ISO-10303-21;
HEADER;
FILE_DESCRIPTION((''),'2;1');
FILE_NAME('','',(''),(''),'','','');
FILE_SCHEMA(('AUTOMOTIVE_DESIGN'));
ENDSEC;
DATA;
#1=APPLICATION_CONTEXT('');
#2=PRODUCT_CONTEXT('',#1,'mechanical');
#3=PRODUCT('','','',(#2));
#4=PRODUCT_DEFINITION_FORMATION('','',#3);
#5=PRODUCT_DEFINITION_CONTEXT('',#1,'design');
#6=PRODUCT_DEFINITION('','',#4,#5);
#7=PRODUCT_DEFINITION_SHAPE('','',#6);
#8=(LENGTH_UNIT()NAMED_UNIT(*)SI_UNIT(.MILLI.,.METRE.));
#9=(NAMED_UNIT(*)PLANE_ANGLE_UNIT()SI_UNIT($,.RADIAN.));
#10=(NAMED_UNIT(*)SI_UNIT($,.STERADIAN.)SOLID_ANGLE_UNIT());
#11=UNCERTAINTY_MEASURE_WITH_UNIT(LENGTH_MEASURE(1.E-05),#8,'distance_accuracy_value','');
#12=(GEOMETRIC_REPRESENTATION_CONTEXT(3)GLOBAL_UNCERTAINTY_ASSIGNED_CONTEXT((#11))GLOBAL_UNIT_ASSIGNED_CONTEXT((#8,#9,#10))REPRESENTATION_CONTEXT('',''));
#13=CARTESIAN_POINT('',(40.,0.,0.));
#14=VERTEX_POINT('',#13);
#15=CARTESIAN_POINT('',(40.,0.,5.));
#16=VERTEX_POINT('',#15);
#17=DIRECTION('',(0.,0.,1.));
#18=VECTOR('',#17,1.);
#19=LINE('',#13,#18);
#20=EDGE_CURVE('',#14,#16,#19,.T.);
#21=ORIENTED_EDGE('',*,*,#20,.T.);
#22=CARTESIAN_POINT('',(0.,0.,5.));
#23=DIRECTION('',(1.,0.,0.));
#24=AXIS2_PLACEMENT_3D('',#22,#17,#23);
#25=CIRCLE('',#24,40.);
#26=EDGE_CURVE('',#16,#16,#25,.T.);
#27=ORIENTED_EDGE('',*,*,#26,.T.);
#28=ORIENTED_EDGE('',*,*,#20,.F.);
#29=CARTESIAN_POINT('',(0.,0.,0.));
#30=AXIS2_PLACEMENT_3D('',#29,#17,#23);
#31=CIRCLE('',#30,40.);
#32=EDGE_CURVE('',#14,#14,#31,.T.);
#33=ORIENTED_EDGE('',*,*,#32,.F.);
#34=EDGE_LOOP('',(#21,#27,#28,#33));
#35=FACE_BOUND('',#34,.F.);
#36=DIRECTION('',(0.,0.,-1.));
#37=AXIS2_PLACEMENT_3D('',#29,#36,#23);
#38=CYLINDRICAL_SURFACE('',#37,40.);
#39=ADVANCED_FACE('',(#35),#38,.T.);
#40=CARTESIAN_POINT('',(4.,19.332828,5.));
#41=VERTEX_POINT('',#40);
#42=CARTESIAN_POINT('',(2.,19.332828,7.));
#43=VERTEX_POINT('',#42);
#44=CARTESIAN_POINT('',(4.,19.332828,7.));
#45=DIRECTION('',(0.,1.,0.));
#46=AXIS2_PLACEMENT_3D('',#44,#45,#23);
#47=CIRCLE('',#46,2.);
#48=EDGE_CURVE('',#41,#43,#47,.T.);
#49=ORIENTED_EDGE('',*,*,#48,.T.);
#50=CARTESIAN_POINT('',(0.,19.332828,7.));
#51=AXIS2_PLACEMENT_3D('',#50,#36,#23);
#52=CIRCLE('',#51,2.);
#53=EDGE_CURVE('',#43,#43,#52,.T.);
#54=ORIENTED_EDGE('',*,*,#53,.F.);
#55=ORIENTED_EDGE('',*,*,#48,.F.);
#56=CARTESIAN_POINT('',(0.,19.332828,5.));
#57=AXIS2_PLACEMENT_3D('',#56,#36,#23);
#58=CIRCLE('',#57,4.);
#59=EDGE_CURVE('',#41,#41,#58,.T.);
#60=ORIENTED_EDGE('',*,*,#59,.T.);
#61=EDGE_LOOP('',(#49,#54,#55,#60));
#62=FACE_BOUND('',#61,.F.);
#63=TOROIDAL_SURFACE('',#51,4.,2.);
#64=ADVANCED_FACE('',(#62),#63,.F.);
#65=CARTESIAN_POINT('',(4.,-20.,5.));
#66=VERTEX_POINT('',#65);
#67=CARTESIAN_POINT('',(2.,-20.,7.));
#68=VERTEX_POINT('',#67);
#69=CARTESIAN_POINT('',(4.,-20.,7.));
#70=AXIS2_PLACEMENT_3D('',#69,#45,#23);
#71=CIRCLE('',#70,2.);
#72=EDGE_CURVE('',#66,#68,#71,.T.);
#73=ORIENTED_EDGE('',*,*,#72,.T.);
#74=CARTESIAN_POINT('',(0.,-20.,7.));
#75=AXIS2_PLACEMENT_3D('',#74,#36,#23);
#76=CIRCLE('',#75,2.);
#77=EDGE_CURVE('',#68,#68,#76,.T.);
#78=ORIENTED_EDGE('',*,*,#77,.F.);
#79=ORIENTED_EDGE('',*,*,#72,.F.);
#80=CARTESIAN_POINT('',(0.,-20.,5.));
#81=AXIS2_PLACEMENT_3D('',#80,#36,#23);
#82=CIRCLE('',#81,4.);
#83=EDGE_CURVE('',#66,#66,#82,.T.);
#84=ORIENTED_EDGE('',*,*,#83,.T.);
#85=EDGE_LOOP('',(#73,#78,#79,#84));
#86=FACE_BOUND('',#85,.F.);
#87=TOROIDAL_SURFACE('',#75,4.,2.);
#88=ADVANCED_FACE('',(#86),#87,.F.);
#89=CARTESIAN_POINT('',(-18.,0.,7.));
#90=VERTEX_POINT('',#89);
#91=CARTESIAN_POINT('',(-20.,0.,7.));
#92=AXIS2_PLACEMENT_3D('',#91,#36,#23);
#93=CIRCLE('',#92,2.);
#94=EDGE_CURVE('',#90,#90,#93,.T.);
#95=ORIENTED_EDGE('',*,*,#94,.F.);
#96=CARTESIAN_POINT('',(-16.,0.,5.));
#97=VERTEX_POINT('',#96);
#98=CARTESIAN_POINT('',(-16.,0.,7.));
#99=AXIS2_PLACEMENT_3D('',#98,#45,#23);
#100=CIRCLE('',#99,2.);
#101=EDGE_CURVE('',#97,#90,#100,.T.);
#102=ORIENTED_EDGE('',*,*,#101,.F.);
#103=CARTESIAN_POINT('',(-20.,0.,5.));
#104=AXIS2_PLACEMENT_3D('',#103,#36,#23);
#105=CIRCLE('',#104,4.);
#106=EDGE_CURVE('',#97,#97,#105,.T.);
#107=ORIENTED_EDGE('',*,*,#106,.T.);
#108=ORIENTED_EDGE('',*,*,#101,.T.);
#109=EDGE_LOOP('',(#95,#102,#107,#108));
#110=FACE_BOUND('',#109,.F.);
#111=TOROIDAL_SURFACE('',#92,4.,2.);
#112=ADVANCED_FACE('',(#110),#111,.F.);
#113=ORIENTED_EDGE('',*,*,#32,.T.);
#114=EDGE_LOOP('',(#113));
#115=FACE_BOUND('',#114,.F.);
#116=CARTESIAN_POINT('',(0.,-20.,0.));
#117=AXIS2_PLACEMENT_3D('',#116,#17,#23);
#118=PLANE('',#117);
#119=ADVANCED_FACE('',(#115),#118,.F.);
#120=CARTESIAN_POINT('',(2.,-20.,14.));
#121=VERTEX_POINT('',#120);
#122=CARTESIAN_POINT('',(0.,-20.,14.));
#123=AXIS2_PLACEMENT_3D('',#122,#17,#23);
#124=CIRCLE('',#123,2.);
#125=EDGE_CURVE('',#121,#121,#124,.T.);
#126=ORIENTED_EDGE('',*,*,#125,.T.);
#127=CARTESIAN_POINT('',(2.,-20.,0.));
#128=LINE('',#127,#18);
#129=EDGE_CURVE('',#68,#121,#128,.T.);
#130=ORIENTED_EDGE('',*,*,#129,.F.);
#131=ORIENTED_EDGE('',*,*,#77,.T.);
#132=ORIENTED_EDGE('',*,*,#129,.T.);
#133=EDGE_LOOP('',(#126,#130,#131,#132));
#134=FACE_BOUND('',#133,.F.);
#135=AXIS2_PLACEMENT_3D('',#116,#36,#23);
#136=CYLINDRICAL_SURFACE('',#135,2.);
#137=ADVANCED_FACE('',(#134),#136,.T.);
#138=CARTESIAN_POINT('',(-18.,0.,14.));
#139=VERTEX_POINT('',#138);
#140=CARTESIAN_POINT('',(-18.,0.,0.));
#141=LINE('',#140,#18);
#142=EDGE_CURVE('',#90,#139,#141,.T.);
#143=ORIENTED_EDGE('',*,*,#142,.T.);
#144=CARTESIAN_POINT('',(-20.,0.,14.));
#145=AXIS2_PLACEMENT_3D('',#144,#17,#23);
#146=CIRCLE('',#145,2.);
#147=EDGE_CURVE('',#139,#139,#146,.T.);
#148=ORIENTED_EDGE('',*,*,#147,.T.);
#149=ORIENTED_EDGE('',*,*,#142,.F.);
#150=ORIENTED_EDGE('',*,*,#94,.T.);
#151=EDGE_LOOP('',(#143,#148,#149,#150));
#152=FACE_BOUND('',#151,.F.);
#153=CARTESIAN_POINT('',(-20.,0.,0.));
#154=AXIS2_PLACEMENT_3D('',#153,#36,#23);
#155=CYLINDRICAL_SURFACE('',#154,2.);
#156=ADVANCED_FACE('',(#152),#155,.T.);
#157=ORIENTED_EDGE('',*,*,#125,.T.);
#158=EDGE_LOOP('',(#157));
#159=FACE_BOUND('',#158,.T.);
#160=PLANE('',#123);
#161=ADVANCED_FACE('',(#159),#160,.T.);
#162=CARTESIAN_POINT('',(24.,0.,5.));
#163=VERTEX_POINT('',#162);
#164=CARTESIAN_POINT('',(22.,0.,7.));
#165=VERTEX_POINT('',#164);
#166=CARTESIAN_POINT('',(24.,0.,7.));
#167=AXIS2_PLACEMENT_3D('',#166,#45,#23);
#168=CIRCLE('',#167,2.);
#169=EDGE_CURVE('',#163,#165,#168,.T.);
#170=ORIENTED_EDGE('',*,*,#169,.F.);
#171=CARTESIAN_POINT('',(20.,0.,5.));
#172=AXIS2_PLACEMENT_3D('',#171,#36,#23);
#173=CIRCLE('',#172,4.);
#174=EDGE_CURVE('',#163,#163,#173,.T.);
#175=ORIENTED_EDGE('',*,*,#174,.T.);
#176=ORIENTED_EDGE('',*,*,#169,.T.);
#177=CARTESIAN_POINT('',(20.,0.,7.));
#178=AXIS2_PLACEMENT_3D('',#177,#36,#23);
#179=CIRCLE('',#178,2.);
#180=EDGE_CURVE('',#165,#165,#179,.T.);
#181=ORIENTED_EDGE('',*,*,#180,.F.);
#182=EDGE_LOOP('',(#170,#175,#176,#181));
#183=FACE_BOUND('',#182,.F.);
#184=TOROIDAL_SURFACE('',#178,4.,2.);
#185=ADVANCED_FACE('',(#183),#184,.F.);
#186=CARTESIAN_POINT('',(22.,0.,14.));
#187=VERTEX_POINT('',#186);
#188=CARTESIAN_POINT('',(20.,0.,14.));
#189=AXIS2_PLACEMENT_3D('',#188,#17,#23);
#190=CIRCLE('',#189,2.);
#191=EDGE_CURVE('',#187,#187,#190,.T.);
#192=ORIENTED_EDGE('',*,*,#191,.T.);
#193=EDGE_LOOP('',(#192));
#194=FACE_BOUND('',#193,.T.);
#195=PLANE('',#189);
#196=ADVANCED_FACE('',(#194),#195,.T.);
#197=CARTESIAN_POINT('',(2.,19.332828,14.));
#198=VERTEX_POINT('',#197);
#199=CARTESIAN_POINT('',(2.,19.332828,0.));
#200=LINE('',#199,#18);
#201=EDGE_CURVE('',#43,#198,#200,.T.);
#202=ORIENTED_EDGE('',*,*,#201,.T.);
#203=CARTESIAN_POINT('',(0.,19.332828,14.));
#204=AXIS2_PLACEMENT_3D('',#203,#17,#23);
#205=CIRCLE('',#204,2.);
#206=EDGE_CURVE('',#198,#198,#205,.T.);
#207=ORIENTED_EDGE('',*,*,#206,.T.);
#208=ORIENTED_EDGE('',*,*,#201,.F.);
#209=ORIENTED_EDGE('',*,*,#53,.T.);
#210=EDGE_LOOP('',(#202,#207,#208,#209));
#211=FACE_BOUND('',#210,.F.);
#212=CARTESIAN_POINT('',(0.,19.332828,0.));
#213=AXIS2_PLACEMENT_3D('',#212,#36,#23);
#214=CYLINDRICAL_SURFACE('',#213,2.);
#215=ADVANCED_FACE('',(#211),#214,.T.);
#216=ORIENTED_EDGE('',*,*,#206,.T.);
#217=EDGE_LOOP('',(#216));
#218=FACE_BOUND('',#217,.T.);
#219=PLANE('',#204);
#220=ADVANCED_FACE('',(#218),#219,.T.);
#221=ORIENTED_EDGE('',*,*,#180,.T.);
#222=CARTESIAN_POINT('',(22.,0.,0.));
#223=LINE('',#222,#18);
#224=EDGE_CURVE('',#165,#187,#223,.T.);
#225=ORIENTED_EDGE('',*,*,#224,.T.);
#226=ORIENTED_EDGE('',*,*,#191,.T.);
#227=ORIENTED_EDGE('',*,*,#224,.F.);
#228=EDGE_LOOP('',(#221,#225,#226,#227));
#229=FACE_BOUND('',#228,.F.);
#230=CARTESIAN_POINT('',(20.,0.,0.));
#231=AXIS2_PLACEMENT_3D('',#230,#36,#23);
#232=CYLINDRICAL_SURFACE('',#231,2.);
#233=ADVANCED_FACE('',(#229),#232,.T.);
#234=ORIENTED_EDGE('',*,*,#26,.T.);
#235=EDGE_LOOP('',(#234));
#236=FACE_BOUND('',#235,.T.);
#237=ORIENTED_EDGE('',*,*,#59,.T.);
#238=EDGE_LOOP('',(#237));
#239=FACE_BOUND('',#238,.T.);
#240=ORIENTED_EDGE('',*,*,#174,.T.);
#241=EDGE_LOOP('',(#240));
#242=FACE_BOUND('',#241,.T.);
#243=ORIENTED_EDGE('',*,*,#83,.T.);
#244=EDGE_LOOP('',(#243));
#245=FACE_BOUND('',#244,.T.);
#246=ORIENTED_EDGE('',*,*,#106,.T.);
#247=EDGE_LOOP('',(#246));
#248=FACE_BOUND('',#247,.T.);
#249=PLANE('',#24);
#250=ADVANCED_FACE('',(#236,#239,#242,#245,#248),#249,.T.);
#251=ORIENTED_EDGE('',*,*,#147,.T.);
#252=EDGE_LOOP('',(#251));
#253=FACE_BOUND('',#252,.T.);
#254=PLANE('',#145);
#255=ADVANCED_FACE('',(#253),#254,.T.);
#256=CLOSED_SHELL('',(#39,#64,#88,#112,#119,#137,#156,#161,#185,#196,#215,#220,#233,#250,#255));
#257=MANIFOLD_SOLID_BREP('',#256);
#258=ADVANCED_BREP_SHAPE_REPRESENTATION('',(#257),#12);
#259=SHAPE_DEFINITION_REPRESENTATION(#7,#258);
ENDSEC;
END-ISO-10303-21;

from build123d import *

# Parameters (mm, degrees)
F1_R     = 2
F2_DEPTH = 14
F0_R     = 40
F3_DEPTH = 5
F5_R     = 2


with BuildPart() as f2:
    # F1 (on face) → F2 (new body)
    with BuildSketch(Plane.XY):
        with Locations((0, 19.332828)):
            Circle(F1_R)
        with Locations((-20, 0)):
            Circle(F1_R)
        with Locations((20, 0)):
            Circle(F1_R)
        with Locations((0, -20)):
            Circle(F1_R)
    extrude(amount=F2_DEPTH)


with BuildPart() as f3:
    # F0 (on Top) → F3 (new body)
    with BuildSketch(Plane.XY):
        Circle(F0_R)
    extrude(amount=F3_DEPTH)

    # F4: union F2
    add(f2.part)

    # F5
    f5_edges = [f3.edges().sort_by_distance(p)[0] for p in [
        (-2, -20, 5),
        (-22, 0, 5),
        (18, 0, 5),
        (-2, 19.332828, 5),
    ]]
    fillet(f5_edges, radius=F5_R)


solid = f3.part
